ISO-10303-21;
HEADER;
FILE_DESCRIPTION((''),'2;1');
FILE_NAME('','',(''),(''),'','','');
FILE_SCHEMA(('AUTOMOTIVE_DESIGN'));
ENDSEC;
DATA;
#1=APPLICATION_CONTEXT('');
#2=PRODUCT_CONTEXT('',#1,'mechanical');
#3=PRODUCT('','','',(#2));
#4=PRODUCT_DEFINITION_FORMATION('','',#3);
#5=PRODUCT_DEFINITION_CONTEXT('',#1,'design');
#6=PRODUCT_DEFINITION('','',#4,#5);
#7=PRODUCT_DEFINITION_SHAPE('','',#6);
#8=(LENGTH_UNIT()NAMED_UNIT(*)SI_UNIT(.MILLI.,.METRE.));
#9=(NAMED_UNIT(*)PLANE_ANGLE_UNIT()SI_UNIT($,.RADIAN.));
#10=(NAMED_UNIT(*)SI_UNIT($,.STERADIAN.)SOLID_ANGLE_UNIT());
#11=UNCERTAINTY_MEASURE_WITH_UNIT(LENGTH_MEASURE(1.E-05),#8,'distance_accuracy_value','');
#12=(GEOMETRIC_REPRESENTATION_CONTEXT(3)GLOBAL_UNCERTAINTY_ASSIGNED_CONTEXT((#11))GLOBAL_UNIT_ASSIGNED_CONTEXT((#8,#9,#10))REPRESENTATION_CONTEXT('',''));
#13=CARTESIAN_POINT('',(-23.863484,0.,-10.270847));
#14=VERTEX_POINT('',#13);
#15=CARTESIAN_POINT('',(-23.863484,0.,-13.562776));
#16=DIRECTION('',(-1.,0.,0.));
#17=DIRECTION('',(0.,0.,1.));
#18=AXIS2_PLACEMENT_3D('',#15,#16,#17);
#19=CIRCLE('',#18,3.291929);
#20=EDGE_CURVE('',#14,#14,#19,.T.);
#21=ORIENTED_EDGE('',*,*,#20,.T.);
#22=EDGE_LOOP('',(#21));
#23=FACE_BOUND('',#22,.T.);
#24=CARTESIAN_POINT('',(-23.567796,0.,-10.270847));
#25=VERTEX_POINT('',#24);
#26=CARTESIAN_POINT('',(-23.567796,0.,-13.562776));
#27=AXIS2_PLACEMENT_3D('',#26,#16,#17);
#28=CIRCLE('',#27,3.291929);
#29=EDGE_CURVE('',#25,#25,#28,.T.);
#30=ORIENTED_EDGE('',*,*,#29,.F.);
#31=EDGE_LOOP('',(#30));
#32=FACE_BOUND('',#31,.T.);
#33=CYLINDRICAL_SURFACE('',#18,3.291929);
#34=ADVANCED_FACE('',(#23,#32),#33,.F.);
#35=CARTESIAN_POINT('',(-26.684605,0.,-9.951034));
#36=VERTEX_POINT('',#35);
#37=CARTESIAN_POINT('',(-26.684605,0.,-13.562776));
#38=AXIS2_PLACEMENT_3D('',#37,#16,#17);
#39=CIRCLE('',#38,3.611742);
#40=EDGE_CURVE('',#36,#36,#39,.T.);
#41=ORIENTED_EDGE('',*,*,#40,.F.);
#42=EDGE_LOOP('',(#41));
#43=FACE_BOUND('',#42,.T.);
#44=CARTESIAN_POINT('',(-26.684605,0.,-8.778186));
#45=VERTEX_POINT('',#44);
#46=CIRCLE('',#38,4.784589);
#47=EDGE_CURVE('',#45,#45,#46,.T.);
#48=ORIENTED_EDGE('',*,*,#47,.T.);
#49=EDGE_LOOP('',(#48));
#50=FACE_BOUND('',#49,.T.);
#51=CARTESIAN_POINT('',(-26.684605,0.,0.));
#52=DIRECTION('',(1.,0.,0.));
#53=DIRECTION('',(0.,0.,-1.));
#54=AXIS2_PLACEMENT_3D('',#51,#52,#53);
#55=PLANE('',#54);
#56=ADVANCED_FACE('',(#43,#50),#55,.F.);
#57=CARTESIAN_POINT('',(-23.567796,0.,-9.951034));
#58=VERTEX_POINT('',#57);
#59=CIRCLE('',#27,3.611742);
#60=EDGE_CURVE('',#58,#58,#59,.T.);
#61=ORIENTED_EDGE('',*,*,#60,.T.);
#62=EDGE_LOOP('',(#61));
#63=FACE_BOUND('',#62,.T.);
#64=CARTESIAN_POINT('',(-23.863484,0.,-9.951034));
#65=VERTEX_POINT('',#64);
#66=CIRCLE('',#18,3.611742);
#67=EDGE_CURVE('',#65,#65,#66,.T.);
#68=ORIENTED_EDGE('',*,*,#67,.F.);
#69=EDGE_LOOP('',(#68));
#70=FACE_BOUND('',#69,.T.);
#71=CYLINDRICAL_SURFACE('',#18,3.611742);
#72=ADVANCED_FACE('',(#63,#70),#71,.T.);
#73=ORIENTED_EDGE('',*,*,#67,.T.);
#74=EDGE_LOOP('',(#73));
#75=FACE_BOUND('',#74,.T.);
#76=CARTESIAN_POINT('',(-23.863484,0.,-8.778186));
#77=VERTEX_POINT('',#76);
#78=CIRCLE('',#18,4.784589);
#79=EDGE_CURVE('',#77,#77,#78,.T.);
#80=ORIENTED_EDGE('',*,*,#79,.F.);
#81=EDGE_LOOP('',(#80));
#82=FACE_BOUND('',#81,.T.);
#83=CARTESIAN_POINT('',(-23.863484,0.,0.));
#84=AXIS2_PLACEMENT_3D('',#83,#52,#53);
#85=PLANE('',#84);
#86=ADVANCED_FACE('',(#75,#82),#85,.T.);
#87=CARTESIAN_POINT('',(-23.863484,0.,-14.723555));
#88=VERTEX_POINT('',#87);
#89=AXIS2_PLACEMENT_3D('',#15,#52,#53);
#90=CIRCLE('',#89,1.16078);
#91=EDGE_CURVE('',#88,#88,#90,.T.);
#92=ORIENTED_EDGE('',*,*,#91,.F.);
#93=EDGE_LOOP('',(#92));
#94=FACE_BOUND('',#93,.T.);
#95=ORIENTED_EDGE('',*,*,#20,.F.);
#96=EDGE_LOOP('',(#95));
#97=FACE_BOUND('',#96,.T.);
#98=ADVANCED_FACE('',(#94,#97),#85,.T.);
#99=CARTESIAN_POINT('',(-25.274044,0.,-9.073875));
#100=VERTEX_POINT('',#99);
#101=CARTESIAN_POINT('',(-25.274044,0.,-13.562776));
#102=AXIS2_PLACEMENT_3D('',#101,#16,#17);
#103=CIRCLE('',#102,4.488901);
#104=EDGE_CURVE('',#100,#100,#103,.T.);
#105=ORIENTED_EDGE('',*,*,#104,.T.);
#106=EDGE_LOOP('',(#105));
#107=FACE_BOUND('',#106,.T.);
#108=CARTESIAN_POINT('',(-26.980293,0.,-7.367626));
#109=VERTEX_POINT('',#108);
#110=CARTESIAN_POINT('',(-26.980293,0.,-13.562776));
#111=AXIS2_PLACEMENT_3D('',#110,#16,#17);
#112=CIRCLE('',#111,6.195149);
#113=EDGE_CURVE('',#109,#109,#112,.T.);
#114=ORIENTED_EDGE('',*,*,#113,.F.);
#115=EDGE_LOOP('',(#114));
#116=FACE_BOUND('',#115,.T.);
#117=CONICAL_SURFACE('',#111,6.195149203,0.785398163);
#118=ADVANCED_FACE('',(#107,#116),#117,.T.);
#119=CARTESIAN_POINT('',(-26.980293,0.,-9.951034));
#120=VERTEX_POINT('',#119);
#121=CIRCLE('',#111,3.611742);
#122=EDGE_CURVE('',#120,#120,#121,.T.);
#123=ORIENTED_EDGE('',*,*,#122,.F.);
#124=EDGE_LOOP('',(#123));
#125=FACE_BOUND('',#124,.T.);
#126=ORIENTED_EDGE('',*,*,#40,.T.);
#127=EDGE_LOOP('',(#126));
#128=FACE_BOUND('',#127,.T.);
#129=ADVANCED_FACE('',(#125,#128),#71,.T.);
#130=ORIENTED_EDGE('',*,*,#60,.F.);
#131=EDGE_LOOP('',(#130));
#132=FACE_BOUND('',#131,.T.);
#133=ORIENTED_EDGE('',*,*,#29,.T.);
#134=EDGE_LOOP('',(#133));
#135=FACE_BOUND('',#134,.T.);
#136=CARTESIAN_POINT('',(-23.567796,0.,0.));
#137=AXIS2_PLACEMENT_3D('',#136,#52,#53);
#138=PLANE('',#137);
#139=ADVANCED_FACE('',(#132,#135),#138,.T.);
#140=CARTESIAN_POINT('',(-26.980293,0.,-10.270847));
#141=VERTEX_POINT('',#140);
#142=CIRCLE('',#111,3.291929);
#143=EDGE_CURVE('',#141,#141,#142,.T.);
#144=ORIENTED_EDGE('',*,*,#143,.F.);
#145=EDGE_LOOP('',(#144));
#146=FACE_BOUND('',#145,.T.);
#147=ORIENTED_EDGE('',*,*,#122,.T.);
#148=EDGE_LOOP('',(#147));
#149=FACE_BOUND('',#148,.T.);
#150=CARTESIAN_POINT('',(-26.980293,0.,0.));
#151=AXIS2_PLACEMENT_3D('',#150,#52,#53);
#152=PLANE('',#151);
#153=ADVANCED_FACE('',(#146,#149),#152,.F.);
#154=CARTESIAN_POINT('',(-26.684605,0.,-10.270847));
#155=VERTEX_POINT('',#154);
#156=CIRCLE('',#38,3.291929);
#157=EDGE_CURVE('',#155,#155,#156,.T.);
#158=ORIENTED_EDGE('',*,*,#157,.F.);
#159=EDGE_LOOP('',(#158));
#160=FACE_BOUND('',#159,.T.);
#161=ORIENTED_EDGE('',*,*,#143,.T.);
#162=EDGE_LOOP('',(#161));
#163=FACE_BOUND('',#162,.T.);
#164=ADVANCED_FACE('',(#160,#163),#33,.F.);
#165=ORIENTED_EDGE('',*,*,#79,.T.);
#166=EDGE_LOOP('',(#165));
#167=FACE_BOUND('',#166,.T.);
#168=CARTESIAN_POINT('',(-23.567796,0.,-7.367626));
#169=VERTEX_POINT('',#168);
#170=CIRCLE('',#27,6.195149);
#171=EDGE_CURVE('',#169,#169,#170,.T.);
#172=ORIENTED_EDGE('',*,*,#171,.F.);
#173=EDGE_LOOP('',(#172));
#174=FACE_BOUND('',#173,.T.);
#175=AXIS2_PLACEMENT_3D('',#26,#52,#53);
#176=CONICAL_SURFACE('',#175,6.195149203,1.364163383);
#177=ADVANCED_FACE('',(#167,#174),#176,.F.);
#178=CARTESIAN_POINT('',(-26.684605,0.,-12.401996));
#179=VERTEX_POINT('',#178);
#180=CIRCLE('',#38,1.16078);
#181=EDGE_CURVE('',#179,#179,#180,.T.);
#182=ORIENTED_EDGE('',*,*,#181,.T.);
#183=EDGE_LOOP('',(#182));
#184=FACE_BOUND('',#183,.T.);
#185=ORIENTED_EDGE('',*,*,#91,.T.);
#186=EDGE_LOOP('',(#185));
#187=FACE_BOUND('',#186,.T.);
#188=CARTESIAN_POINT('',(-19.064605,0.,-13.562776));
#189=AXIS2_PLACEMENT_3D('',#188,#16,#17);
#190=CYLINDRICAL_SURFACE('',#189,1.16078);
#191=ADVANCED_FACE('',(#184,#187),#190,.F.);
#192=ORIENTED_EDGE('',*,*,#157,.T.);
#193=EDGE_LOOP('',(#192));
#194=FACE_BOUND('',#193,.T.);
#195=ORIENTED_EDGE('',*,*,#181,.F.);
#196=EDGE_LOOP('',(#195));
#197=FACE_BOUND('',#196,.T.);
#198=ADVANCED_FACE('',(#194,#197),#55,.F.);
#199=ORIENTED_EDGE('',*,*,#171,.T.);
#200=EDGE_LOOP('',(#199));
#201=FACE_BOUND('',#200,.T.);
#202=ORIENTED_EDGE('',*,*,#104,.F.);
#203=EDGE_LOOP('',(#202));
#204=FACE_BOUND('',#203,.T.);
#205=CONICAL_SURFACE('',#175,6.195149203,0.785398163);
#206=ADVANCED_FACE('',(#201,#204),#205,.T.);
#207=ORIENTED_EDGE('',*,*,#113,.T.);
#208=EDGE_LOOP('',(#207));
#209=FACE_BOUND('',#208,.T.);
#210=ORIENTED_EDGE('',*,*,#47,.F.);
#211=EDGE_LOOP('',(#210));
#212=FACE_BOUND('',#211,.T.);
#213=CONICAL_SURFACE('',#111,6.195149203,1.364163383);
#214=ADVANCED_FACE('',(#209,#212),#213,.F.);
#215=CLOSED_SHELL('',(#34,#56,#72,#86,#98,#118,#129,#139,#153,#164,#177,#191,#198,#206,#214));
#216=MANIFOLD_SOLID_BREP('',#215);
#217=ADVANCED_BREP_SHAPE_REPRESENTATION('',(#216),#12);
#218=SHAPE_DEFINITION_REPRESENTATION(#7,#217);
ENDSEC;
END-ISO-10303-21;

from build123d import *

# Parameters (mm, degrees)
SKETCH2_R          = 1.160779638
CUT_EXTRUDE1_DEPTH = 7.62


with BuildPart() as part:
    # Sketch1 → Revolve1 (revolve)
    with BuildSketch(Plane(origin=(0, 0, 0), x_dir=(1, 0, 0), z_dir=(0, 1, 0))):
        Polygon((-23.567795766, 7.367626397), (-25.274044429, 9.07387506), (-26.980293092, 7.367626397), (-26.684604524, 8.778186492), (-26.684604524, 9.951033697), (-26.980293092, 9.951033697), (-26.980293092, 10.270846758), (-26.684604524, 10.270846758), (-26.684604524, 13.5627756), (-23.863484334, 13.5627756), (-23.863484334, 10.270846758), (-23.567795766, 10.270846758), (-23.567795766, 9.951033697), (-23.863484334, 9.951033697), (-23.863484334, 8.778186492), align=None)
    revolve(axis=Axis((-23.863484334, 0, -13.5627756), (1, 0, 0)))

    # Sketch2 → Cut-Extrude1 (cut)
    with BuildSketch(Plane.ZY.offset(26.684604524)):
        with Locations((-13.5627756, 0)):
            Circle(SKETCH2_R)
    extrude(amount=-CUT_EXTRUDE1_DEPTH, mode=Mode.SUBTRACT)


solid = part.part
